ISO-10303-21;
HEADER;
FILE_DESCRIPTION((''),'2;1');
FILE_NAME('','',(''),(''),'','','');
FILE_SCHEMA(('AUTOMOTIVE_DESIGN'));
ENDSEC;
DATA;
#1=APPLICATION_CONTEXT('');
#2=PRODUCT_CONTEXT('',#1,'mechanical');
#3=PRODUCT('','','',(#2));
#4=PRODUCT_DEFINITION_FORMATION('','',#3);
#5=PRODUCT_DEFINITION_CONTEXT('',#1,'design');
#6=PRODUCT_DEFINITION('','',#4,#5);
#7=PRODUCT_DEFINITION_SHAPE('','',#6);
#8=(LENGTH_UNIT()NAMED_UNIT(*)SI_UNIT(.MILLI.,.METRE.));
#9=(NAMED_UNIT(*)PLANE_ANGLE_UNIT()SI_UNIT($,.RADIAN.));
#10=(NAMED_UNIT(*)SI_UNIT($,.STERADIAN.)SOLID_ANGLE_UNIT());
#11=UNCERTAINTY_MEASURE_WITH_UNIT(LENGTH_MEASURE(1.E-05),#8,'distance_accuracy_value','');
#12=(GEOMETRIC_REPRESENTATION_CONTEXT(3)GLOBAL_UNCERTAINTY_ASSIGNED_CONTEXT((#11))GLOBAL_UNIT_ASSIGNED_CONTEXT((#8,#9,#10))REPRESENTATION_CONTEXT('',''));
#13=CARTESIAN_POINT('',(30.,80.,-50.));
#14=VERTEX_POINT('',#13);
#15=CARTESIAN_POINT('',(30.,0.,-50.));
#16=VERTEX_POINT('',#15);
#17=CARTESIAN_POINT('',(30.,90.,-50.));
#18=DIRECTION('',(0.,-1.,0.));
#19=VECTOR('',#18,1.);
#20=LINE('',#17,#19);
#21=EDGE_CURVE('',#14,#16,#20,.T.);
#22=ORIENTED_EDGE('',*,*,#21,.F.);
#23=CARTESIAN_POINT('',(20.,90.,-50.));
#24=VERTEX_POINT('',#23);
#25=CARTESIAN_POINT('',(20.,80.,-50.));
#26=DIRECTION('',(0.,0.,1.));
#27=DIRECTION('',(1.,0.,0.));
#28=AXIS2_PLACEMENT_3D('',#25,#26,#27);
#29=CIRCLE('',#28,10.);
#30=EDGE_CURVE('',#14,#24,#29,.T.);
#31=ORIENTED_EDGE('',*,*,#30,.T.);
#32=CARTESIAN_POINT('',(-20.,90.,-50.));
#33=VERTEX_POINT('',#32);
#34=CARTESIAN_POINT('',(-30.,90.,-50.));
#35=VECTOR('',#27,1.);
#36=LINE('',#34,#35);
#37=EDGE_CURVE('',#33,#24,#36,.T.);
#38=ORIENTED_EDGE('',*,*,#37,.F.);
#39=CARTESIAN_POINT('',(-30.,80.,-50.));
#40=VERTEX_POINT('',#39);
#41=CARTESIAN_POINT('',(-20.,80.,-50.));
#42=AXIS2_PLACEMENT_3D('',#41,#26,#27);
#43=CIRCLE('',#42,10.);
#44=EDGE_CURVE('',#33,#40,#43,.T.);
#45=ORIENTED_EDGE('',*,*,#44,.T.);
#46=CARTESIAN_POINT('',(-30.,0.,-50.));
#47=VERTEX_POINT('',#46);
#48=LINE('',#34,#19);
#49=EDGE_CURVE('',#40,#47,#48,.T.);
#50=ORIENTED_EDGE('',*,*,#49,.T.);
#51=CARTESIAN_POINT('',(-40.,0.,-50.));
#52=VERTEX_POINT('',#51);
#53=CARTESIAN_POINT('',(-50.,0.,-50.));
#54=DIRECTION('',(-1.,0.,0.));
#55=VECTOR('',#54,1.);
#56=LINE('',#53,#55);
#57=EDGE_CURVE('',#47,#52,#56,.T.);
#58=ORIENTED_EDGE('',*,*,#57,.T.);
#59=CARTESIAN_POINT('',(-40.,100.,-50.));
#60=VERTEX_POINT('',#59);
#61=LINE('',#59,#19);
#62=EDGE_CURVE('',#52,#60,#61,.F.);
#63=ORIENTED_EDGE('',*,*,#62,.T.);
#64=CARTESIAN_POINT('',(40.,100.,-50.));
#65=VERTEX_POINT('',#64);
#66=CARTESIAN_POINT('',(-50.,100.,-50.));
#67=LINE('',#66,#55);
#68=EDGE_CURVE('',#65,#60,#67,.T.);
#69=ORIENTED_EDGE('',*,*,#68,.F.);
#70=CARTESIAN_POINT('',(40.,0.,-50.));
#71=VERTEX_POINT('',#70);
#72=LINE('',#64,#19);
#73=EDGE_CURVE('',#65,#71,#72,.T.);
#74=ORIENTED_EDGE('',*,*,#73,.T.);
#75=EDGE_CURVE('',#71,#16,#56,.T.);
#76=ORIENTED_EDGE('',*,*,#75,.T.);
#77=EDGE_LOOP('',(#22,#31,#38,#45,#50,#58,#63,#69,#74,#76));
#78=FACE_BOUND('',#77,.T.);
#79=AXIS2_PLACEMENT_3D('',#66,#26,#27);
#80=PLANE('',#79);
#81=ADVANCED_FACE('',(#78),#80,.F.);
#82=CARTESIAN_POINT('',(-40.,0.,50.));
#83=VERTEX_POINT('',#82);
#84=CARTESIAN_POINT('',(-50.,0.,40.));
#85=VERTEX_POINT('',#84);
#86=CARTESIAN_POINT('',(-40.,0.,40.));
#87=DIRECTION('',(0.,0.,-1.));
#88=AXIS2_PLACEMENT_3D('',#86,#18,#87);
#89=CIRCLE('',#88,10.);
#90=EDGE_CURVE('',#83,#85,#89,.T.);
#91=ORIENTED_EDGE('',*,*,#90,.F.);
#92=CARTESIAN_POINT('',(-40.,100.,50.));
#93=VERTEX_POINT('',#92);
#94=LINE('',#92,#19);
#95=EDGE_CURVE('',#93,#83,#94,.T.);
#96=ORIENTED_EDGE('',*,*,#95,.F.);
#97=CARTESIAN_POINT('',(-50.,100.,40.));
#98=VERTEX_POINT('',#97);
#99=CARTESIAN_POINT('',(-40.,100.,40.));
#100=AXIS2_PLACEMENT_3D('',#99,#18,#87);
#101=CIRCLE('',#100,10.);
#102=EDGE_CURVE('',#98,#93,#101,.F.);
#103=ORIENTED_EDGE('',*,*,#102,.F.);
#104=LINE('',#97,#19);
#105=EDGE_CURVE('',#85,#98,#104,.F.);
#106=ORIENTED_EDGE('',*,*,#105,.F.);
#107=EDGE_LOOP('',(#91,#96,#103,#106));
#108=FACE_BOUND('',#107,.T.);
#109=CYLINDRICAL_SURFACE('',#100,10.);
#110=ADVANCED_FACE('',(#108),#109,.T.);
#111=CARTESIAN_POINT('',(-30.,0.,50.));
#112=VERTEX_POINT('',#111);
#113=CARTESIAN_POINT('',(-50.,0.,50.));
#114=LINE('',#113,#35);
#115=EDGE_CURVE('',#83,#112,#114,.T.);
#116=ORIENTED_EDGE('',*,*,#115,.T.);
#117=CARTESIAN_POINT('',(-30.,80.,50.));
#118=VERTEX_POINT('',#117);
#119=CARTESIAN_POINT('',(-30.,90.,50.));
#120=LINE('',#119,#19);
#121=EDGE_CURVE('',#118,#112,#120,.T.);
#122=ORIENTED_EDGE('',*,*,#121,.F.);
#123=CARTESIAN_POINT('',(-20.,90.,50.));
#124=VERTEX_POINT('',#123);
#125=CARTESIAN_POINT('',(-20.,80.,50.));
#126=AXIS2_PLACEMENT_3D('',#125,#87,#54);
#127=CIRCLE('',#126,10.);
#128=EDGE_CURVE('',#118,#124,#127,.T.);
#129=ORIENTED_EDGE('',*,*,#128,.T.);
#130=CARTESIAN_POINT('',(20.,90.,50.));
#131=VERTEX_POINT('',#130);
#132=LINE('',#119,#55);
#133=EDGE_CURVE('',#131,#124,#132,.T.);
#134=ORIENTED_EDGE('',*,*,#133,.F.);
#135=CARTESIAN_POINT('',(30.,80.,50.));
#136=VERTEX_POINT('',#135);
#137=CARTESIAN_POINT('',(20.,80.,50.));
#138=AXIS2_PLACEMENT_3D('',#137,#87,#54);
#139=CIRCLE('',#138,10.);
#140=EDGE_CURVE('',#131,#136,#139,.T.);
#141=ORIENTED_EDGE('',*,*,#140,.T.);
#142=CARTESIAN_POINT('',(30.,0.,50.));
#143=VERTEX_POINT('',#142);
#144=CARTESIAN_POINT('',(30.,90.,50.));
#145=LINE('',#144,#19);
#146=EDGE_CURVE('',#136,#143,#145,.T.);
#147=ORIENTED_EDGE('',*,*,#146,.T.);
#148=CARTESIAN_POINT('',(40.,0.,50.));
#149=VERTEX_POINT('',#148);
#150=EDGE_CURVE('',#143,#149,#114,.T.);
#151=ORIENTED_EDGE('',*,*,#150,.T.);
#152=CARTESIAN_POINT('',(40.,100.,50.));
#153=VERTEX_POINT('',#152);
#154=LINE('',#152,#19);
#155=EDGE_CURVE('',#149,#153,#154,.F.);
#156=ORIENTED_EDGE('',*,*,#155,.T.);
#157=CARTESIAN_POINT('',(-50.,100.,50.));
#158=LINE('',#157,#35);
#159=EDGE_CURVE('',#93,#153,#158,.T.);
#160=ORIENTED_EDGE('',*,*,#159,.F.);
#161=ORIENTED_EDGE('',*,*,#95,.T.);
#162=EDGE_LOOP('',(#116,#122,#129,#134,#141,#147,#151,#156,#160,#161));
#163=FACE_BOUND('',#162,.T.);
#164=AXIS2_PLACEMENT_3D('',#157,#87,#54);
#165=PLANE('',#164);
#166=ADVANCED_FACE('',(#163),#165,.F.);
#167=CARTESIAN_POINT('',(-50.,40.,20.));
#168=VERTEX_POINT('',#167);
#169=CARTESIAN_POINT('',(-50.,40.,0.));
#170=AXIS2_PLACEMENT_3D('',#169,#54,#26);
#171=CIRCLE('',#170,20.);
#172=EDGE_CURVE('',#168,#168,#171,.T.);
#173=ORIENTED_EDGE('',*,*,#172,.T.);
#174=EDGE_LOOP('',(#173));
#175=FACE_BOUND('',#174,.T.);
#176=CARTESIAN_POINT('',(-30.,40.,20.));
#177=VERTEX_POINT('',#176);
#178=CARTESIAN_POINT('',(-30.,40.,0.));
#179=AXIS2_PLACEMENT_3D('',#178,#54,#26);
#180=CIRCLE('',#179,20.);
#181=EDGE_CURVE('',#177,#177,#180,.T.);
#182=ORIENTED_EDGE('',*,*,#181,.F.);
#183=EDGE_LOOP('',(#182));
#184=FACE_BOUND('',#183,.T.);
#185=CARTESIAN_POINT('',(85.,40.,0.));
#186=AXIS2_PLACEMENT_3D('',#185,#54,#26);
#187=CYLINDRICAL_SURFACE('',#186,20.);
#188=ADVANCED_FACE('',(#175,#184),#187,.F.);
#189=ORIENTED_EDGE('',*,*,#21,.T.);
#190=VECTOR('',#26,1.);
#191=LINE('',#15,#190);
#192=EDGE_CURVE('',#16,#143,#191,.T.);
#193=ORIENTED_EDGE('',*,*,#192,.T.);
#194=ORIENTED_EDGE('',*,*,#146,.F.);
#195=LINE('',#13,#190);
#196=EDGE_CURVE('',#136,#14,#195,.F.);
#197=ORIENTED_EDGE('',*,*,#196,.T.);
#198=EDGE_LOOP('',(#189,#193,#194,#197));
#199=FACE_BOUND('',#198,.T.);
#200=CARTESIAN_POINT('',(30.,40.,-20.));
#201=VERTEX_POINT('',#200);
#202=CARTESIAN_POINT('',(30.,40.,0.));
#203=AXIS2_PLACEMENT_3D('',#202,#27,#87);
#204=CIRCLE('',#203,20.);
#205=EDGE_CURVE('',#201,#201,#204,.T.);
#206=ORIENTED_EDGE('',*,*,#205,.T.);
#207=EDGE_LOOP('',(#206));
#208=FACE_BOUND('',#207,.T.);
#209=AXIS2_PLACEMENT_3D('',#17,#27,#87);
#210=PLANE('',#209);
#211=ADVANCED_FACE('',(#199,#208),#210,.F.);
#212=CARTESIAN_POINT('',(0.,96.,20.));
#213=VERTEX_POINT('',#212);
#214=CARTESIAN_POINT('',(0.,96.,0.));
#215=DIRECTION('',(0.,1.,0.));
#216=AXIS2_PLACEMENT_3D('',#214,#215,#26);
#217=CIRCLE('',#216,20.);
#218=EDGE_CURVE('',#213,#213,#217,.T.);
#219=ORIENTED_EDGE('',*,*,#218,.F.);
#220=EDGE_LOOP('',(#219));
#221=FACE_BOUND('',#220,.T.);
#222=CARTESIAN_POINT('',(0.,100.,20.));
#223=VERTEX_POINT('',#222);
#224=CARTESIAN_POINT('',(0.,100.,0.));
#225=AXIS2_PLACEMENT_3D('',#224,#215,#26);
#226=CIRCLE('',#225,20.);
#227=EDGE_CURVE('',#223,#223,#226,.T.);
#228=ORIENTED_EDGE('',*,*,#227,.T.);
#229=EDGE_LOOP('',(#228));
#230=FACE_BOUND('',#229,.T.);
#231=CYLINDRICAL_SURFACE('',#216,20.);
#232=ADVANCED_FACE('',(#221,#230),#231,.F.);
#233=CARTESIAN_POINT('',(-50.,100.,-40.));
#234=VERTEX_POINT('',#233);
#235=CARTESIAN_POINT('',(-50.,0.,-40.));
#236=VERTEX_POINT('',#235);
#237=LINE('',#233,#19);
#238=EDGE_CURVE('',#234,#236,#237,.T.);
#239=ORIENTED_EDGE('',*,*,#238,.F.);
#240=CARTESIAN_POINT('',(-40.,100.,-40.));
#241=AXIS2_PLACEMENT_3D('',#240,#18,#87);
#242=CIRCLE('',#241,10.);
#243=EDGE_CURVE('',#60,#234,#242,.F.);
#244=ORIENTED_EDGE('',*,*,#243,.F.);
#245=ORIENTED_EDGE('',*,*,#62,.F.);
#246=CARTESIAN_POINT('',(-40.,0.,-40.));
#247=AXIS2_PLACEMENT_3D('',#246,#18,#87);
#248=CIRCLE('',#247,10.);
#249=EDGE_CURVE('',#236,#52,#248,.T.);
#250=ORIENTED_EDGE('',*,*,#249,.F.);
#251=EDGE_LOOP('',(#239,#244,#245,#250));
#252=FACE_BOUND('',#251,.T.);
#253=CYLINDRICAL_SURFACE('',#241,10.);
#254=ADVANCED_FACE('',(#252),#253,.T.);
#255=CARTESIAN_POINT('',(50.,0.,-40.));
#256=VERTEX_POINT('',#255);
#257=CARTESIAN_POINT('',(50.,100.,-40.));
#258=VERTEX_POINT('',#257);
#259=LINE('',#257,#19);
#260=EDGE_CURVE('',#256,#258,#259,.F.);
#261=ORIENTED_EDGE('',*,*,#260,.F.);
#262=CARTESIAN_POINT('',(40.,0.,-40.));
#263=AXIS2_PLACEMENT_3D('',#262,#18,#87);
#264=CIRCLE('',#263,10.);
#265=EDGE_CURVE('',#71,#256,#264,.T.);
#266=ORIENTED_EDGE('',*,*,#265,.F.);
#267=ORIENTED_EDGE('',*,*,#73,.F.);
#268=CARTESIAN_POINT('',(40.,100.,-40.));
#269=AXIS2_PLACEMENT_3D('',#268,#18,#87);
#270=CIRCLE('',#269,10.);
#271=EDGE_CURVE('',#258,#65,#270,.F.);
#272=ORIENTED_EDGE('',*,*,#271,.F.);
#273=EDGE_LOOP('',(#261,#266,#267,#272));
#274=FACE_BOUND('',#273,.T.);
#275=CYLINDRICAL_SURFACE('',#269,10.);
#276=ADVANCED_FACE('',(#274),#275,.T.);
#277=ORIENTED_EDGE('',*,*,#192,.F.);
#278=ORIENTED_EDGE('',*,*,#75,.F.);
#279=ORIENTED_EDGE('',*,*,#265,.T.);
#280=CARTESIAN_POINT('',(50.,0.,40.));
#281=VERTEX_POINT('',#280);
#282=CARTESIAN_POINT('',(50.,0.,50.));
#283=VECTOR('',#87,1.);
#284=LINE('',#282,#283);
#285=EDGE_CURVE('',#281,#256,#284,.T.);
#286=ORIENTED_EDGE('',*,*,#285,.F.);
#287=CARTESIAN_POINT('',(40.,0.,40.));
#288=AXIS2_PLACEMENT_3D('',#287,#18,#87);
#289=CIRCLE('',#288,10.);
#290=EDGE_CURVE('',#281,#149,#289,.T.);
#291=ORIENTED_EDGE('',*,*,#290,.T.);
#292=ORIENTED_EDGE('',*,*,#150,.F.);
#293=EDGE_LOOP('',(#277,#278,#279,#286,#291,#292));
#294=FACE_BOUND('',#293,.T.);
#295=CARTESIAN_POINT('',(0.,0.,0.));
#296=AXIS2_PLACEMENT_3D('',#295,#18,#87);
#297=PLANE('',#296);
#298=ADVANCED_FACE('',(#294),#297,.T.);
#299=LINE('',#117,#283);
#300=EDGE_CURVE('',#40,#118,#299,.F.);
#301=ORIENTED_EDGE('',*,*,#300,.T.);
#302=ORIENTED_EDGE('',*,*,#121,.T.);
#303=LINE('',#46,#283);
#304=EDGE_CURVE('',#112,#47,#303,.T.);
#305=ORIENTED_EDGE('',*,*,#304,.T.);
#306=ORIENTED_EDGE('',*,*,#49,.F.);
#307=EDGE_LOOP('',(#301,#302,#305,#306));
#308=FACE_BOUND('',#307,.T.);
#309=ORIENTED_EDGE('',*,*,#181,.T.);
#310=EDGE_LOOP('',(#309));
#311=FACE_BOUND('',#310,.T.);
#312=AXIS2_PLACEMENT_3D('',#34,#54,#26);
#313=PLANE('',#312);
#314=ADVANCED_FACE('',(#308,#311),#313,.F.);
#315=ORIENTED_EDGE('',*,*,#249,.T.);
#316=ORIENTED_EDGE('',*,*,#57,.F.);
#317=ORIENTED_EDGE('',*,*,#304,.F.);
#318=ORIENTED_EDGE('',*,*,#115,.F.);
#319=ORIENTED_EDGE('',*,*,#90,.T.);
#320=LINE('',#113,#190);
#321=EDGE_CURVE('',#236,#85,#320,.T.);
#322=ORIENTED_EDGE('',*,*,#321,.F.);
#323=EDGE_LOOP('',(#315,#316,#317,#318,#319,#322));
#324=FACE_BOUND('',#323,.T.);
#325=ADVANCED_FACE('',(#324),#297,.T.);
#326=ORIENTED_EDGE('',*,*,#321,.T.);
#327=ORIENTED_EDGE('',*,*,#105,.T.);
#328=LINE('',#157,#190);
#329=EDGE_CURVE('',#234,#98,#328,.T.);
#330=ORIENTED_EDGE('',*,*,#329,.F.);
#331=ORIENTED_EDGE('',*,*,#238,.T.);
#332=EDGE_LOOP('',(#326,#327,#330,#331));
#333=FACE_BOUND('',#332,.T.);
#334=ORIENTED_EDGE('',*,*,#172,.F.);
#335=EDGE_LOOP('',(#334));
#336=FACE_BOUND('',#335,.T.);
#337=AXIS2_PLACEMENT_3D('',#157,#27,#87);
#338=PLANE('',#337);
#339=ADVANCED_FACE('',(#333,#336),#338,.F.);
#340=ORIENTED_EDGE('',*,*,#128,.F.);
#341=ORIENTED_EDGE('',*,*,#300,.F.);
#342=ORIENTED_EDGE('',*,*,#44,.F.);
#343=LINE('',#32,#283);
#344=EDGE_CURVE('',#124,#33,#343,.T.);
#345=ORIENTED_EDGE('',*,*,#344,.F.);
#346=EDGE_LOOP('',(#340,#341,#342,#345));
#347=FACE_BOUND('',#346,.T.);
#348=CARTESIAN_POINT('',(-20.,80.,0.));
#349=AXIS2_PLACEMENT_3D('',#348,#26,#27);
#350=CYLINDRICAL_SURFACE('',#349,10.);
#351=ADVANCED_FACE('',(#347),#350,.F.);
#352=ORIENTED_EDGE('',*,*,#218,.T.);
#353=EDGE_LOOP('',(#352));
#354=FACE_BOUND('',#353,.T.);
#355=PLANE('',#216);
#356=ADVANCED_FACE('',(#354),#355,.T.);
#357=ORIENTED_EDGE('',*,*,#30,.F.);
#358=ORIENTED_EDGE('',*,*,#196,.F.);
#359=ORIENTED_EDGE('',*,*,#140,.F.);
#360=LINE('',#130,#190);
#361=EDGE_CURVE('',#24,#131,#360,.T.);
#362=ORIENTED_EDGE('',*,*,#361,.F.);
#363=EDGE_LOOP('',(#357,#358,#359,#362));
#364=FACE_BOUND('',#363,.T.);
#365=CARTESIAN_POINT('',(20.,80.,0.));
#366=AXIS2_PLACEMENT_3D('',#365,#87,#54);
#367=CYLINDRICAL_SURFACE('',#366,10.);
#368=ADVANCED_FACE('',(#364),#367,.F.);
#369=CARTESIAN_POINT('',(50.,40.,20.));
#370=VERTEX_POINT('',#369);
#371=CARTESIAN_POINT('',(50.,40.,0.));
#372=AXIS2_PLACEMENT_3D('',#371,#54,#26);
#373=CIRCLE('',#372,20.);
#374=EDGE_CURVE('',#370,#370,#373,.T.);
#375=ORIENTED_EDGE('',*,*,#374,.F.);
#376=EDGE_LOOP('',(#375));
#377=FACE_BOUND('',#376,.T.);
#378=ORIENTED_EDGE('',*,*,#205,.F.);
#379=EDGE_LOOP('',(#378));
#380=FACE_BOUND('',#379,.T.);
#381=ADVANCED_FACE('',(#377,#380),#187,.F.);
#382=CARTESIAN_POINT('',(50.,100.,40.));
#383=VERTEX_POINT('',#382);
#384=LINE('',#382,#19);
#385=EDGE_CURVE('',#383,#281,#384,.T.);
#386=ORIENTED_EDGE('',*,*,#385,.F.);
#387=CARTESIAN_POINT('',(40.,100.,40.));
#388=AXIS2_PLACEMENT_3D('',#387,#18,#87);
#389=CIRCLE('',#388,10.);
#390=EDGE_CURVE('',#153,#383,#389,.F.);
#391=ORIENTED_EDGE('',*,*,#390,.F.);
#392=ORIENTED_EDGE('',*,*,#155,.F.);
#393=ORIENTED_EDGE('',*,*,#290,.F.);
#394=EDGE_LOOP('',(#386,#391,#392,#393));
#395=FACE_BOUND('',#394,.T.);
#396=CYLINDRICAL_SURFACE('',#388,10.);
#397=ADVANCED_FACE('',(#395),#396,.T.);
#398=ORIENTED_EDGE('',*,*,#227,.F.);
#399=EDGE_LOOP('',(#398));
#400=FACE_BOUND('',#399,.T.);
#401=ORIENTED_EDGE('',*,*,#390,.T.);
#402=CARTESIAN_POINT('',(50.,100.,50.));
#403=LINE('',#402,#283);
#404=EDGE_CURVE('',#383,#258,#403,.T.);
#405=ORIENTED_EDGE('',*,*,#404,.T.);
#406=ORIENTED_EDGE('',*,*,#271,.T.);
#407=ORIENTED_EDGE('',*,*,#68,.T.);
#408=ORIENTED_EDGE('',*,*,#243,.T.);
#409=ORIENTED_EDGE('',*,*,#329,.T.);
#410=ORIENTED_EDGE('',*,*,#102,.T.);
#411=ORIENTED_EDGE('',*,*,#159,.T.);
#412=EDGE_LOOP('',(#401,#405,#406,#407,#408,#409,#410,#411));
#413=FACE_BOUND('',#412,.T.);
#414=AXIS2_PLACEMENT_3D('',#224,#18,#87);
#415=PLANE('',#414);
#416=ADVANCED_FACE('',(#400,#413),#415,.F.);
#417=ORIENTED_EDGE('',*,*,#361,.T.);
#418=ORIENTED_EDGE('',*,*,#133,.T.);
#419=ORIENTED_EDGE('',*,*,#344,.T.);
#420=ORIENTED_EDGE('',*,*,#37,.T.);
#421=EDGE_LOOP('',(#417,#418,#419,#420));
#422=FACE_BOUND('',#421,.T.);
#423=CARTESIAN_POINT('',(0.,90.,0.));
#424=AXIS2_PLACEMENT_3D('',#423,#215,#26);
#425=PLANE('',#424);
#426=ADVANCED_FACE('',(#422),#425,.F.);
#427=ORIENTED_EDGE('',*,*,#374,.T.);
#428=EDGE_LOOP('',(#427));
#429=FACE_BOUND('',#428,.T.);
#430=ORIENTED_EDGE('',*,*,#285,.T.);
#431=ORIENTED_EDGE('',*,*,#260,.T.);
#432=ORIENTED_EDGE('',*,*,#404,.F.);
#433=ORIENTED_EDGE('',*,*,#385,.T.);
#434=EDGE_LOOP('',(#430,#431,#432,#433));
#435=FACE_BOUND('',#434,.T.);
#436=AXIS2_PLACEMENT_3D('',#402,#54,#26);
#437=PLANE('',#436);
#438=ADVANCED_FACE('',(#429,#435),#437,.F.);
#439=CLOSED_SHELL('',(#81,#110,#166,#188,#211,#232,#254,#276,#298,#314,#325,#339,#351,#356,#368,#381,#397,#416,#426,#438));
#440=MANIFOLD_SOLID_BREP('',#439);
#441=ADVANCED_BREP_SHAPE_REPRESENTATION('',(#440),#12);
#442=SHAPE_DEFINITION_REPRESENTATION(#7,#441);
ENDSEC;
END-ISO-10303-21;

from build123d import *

# Parameters (mm, degrees)
SKETCH1_W           = 100
SKETCH1_H           = 100
BOSS_EXTRUDE1_DEPTH = 100
SKETCH2_R           = 20
CUT_EXTRUDE1_DEPTH  = 4
SKETCH3_W           = 60
SKETCH3_H           = 100
CUT_EXTRUDE2_DEPTH  = 90
SKETCH4_R           = 20
CUT_EXTRUDE3_DEPTH  = 135
FILLET1_R           = 10
FILLET2_R           = 10


with BuildPart() as part:
    # Sketch1 → Boss-Extrude1 (new body)
    with BuildSketch(Plane(origin=(0, 0, 0), x_dir=(1, 0, 0), z_dir=(0, 1, 0))):
        Rectangle(SKETCH1_W, SKETCH1_H)
    extrude(amount=BOSS_EXTRUDE1_DEPTH)

    # Sketch2 → Cut-Extrude1 (cut)
    with BuildSketch(Plane(origin=(0, 100, 0), x_dir=(1, 0, 0), z_dir=(0, 1, 0))):
        with Locations(Location((0, 0, 0), (0, 0, 270))):
            Circle(SKETCH2_R)
    extrude(amount=-CUT_EXTRUDE1_DEPTH, mode=Mode.SUBTRACT)

    # Sketch3 → Cut-Extrude2 (cut)
    with BuildSketch(Plane.XZ):
        Rectangle(SKETCH3_W, SKETCH3_H)
    extrude(amount=-CUT_EXTRUDE2_DEPTH, mode=Mode.SUBTRACT)

    # Sketch4 → Cut-Extrude3 (cut)
    with BuildSketch(Plane.ZY.offset(50)):
        with Locations((0, 40)):
            Circle(SKETCH4_R)
    extrude(amount=-CUT_EXTRUDE3_DEPTH, mode=Mode.SUBTRACT)

    # Fillet1
    fillet1_edges = [part.edges().sort_by_distance(p)[0] for p in [
        (50, 50, 50),
        (-50, 50, 50),
        (-50, 50, -50),
        (50, 50, -50),
    ]]
    fillet(fillet1_edges, radius=FILLET1_R)

    # Fillet2
    fillet2_edges = [part.edges().sort_by_distance(p)[0] for p in [
        (30, 90, 0),
        (-30, 90, 0),
    ]]
    fillet(fillet2_edges, radius=FILLET2_R)


solid = part.part
